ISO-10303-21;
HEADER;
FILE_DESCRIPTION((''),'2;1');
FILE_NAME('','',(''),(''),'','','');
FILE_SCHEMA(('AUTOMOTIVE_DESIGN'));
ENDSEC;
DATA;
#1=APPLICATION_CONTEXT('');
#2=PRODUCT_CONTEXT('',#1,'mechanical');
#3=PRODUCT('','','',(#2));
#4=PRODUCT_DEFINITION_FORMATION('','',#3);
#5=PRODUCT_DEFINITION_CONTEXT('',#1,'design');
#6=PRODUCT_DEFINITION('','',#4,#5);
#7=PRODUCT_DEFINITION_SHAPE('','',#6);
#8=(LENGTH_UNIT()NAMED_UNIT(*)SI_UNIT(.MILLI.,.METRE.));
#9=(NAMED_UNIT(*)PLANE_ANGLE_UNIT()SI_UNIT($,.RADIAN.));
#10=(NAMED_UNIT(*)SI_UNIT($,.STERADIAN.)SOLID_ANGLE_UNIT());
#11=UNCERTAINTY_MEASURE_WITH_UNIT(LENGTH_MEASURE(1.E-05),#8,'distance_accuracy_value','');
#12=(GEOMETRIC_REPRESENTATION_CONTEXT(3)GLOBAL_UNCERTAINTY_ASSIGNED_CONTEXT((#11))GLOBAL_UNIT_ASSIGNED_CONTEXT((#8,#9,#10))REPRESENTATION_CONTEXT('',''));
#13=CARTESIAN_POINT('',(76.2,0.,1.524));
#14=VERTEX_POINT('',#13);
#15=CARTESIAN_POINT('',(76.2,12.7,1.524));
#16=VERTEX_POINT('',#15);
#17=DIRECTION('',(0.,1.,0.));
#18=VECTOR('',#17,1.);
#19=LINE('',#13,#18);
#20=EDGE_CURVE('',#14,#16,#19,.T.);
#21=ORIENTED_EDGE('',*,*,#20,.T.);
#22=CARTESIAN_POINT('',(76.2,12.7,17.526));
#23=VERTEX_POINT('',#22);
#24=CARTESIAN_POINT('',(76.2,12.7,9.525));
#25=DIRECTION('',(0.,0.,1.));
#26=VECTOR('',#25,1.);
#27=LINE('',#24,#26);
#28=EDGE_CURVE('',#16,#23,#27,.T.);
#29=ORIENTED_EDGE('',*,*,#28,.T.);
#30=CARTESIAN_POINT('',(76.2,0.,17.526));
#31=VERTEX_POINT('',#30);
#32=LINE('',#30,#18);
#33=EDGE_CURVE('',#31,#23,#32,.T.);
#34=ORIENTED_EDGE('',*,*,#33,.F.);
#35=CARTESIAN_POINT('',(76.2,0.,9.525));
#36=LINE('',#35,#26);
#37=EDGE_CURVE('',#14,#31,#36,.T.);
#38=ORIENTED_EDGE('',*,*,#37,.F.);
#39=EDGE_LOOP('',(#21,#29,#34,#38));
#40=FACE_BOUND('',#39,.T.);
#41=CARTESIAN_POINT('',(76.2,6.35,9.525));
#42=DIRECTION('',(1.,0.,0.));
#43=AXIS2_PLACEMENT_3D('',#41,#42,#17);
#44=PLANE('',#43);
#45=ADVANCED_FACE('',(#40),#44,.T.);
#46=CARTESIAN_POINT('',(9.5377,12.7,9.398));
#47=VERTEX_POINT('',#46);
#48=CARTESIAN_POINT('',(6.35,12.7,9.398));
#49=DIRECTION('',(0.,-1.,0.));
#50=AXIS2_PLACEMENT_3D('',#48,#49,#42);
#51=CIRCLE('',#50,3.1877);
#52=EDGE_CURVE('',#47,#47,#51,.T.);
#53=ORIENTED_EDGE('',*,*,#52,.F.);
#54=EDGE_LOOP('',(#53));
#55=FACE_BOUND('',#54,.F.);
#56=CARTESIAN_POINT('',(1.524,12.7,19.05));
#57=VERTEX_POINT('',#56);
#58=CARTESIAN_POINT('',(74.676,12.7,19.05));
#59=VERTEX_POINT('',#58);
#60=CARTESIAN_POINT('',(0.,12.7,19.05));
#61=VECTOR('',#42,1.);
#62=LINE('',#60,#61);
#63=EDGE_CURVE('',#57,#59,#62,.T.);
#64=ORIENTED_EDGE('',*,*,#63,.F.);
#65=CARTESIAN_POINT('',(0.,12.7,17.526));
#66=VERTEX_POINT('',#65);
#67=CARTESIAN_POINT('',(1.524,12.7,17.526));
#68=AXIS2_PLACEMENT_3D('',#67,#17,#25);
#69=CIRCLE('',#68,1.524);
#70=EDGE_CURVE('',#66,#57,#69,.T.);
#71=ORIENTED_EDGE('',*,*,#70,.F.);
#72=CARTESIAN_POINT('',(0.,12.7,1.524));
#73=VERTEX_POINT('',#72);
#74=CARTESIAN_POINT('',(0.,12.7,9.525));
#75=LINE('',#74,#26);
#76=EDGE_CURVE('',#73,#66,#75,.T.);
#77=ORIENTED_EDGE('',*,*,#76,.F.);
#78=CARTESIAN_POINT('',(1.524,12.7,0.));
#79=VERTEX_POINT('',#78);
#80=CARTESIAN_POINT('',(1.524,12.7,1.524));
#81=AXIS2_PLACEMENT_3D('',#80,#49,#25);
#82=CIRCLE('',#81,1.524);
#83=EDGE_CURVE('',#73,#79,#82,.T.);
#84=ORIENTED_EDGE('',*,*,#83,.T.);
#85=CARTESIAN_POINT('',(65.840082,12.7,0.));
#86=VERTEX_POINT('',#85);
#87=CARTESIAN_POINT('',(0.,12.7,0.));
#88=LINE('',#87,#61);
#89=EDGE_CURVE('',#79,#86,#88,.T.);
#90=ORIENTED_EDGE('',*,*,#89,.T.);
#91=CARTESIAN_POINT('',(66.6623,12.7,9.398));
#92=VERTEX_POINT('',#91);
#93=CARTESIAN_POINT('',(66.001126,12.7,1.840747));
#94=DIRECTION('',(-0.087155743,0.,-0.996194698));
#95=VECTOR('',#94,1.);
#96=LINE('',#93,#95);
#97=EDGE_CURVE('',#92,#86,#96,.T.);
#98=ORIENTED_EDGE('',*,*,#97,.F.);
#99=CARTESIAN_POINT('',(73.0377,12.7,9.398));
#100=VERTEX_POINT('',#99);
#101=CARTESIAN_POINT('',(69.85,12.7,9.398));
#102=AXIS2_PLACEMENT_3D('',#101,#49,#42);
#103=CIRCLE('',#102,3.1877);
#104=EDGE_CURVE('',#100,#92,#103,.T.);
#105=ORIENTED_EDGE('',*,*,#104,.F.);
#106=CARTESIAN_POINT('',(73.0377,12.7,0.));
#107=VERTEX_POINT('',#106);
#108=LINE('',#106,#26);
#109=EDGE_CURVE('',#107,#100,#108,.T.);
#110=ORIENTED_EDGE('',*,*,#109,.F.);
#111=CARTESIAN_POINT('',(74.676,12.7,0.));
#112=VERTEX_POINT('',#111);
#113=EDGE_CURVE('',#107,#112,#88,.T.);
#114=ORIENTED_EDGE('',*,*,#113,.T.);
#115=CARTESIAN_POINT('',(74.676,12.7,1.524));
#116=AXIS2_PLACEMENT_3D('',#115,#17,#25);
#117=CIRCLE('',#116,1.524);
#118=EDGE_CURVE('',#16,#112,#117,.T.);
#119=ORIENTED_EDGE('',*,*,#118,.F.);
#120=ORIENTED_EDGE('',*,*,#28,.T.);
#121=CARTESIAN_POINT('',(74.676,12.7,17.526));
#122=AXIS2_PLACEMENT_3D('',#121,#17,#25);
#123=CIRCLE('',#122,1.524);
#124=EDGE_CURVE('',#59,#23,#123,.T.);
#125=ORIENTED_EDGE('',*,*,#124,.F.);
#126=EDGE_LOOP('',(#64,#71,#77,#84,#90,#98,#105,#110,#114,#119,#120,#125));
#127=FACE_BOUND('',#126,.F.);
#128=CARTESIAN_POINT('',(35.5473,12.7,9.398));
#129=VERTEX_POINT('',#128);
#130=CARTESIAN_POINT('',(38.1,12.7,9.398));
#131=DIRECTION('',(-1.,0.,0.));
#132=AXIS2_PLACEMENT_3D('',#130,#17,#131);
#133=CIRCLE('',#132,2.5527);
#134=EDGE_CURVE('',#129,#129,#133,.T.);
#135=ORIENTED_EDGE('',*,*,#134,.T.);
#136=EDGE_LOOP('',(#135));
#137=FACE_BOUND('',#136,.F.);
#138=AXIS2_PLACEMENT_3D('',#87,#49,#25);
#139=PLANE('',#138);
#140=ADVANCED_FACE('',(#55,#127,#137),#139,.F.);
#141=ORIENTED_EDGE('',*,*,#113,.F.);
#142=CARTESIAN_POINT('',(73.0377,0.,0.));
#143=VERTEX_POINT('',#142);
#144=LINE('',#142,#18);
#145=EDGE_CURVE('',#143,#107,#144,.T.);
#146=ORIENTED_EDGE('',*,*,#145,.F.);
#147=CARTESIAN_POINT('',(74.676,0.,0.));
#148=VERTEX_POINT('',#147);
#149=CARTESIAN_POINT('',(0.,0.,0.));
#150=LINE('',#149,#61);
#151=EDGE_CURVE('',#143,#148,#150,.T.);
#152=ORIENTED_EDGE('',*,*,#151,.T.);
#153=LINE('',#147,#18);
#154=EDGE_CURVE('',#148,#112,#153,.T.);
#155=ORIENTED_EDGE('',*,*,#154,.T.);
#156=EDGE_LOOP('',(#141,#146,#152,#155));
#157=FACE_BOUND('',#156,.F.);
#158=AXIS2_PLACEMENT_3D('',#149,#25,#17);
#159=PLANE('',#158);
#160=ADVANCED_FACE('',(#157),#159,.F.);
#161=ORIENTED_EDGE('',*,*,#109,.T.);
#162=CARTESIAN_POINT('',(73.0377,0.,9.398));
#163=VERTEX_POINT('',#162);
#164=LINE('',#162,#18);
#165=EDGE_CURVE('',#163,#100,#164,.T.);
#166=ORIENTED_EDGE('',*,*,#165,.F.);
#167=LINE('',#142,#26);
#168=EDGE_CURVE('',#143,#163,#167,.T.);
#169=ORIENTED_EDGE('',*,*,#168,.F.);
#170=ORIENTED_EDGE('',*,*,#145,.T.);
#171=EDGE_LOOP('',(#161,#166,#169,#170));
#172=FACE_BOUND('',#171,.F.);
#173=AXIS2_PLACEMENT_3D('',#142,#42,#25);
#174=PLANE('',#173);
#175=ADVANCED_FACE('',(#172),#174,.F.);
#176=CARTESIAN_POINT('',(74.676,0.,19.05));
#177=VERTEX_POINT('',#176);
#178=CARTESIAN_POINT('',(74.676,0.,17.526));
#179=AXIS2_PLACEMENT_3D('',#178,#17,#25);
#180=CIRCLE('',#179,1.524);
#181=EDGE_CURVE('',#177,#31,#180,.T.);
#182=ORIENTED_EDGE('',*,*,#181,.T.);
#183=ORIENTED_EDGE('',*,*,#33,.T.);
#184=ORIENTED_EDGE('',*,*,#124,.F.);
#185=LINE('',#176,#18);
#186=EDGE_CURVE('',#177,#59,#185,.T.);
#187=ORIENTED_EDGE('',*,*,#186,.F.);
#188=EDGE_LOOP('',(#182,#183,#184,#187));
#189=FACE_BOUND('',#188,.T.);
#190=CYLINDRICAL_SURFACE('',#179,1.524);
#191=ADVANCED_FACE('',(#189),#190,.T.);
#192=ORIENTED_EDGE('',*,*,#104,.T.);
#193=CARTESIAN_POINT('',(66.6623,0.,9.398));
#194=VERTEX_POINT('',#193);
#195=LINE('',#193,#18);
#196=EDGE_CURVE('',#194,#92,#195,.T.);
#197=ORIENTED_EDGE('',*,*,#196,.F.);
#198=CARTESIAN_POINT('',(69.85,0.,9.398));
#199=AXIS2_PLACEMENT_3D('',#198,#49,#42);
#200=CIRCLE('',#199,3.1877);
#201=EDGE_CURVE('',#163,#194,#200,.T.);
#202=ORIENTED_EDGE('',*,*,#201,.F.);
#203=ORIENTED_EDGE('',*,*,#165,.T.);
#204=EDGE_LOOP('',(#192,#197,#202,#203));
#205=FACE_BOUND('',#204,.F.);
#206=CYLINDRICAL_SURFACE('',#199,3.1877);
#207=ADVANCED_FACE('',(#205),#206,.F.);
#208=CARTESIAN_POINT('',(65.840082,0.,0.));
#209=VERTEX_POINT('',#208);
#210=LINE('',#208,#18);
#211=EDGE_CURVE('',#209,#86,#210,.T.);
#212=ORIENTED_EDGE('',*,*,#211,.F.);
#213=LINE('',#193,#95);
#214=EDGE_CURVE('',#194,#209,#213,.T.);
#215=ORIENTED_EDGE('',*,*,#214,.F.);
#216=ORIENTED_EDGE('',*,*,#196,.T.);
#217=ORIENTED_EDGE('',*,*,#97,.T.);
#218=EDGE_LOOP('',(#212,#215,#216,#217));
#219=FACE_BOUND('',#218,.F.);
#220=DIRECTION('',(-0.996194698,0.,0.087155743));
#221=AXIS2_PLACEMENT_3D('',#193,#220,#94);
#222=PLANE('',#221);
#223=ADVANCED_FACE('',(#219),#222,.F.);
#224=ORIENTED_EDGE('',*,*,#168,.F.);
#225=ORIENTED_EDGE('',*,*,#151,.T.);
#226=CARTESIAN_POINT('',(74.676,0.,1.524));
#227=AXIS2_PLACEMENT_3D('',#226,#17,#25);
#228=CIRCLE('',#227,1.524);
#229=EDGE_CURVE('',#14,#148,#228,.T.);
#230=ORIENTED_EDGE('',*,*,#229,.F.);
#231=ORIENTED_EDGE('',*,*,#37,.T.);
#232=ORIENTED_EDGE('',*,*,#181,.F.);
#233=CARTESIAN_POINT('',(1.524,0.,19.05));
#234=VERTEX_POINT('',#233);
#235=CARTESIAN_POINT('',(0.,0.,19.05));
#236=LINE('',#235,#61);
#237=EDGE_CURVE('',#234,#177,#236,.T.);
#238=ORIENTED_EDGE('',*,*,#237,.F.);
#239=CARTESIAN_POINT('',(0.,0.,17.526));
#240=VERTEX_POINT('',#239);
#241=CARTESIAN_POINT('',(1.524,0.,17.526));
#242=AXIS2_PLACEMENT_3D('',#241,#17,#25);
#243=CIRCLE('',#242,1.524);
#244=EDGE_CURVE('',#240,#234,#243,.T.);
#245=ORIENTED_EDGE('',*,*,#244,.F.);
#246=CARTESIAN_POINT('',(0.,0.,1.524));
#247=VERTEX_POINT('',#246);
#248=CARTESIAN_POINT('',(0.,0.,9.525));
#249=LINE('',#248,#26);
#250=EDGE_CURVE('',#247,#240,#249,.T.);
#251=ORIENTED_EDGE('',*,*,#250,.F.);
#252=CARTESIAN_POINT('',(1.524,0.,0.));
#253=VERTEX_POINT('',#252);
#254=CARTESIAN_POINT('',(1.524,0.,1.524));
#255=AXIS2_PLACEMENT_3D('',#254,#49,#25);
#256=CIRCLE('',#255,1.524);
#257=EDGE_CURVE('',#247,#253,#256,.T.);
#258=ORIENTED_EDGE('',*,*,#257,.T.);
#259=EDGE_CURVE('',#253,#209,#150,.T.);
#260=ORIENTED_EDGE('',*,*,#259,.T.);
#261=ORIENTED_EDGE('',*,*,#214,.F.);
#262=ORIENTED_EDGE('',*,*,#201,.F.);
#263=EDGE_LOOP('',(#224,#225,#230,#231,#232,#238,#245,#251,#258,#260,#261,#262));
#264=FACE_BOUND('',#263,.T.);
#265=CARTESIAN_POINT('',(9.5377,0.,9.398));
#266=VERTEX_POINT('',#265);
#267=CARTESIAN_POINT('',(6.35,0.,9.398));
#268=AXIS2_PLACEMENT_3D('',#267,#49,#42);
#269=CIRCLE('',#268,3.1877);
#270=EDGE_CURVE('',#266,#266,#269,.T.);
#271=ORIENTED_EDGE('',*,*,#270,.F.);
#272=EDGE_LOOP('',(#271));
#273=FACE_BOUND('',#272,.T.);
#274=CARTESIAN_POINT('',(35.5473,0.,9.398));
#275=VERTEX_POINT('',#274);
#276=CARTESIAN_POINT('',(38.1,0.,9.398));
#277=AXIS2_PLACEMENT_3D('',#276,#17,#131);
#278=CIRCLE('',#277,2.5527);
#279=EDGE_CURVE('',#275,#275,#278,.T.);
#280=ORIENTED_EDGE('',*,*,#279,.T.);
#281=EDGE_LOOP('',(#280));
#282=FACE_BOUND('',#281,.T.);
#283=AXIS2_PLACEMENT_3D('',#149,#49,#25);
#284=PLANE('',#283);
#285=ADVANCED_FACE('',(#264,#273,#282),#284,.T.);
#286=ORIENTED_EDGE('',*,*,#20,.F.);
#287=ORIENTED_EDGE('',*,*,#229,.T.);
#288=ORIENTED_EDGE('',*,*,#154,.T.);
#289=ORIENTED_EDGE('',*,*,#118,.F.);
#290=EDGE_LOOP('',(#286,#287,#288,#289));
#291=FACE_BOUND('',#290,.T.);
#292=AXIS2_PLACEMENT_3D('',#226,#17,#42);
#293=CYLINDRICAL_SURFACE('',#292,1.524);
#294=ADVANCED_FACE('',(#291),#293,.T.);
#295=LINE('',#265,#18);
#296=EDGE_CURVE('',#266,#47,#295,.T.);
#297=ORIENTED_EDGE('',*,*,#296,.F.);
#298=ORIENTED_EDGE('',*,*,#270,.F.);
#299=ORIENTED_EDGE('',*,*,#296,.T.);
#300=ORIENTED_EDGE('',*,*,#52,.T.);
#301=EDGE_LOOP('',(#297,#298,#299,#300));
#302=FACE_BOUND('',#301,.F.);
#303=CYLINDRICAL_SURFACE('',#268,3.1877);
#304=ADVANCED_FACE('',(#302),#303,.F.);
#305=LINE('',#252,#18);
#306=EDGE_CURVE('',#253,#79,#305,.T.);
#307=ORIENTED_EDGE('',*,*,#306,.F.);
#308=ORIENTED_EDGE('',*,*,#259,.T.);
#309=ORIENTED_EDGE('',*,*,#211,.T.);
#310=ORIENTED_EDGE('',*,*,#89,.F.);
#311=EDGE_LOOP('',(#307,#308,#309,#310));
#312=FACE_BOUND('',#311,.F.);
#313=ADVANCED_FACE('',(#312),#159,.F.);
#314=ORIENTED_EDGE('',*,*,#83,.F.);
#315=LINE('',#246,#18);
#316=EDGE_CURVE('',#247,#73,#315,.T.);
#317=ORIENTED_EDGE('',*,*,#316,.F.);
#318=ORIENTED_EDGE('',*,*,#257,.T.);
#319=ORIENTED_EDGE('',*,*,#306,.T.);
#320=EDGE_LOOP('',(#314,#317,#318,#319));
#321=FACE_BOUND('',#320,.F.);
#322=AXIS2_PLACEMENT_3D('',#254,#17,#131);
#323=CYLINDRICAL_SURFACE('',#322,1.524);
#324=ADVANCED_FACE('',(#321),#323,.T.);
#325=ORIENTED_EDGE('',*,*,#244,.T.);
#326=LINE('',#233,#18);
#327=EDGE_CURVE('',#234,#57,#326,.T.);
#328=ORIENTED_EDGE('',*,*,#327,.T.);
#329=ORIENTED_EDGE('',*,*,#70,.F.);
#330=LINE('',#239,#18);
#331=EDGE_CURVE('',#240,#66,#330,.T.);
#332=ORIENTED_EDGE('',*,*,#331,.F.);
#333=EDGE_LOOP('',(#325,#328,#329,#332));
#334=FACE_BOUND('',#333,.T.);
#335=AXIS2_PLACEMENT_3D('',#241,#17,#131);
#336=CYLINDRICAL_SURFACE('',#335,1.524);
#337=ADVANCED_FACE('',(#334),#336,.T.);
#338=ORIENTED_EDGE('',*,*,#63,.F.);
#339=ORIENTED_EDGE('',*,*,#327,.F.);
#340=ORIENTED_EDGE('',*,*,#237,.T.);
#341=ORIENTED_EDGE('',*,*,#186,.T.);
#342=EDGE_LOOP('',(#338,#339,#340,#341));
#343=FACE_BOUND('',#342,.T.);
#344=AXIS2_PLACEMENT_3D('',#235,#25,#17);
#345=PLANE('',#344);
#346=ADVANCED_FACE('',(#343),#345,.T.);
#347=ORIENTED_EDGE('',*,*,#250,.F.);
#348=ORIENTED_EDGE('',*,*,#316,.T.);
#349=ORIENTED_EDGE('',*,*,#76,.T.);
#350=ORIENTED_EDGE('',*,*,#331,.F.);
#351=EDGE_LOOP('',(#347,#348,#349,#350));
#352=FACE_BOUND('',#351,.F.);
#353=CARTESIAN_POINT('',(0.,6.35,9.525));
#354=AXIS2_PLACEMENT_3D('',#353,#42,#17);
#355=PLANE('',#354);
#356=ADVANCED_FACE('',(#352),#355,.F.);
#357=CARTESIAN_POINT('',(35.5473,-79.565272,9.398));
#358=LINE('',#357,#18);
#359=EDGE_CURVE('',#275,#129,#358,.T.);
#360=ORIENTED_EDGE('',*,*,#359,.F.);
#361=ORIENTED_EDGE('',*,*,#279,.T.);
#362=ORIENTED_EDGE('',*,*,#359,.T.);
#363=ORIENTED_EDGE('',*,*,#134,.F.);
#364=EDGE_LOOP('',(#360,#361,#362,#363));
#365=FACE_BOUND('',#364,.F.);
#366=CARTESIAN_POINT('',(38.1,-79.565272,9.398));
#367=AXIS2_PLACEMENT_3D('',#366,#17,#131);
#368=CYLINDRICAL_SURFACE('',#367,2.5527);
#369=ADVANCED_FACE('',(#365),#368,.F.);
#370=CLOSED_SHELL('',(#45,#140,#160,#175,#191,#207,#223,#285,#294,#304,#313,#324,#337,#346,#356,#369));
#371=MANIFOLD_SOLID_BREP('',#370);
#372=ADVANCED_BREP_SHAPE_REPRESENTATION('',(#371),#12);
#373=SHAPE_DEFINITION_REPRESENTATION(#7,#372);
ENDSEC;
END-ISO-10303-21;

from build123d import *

# Parameters (mm, degrees)
F0_W     = 12.7
F0_H     = 19.05
F1_DEPTH = 76.2
F3_DEPTH = 25.4
F4_D     = 5.1054
F5_R     = 1.524


with BuildPart() as f1:
    # F0 (on Right) → F1 (new body)
    with BuildSketch(Plane.YZ):
        with Locations((6.35, 9.525)):
            Rectangle(F0_W, F0_H)
    extrude(amount=F1_DEPTH)

    # F2 (on face) → F3 (cut)
    with BuildSketch(Plane.XZ):
        with BuildLine():
            Line((6.35, 9.398), (3.1623, 9.398))
            ThreePointArc((3.1623, 9.398), (6.35, 6.2103), (9.5377, 9.398))
            Line((9.5377, 9.398), (6.35, 9.398))
        make_face()
        with BuildLine():
            Line((66.6623, 9.398), (65.8400815402, 0))
            Line((65.8400815402, 0), (73.0377, 0))
            Line((73.0377, 0), (73.0377, 9.398))
            ThreePointArc((73.0377, 9.398), (69.85, 12.5857), (66.6623, 9.398))
        make_face()
        with BuildLine():
            ThreePointArc((9.5377, 9.398), (6.35, 12.5857), (3.1623, 9.398))
            Line((3.1623, 9.398), (6.35, 9.398))
            Line((6.35, 9.398), (9.5377, 9.398))
        make_face()
    extrude(amount=-F3_DEPTH, mode=Mode.SUBTRACT)

    # F4 (through all)
    with Locations(Plane.XZ):
        with Locations((38.1, 9.398)):
            Hole(F4_D / 2)

    # F5
    f5_edges = [f1.edges().sort_by_distance(p)[0] for p in [
        (76.2, 6.35, 19.05),
        (0, 6.35, 19.05),
        (76.2, 6.35, 0),
        (0, 6.35, 0),
    ]]
    fillet(f5_edges, radius=F5_R)


solid = f1.part
